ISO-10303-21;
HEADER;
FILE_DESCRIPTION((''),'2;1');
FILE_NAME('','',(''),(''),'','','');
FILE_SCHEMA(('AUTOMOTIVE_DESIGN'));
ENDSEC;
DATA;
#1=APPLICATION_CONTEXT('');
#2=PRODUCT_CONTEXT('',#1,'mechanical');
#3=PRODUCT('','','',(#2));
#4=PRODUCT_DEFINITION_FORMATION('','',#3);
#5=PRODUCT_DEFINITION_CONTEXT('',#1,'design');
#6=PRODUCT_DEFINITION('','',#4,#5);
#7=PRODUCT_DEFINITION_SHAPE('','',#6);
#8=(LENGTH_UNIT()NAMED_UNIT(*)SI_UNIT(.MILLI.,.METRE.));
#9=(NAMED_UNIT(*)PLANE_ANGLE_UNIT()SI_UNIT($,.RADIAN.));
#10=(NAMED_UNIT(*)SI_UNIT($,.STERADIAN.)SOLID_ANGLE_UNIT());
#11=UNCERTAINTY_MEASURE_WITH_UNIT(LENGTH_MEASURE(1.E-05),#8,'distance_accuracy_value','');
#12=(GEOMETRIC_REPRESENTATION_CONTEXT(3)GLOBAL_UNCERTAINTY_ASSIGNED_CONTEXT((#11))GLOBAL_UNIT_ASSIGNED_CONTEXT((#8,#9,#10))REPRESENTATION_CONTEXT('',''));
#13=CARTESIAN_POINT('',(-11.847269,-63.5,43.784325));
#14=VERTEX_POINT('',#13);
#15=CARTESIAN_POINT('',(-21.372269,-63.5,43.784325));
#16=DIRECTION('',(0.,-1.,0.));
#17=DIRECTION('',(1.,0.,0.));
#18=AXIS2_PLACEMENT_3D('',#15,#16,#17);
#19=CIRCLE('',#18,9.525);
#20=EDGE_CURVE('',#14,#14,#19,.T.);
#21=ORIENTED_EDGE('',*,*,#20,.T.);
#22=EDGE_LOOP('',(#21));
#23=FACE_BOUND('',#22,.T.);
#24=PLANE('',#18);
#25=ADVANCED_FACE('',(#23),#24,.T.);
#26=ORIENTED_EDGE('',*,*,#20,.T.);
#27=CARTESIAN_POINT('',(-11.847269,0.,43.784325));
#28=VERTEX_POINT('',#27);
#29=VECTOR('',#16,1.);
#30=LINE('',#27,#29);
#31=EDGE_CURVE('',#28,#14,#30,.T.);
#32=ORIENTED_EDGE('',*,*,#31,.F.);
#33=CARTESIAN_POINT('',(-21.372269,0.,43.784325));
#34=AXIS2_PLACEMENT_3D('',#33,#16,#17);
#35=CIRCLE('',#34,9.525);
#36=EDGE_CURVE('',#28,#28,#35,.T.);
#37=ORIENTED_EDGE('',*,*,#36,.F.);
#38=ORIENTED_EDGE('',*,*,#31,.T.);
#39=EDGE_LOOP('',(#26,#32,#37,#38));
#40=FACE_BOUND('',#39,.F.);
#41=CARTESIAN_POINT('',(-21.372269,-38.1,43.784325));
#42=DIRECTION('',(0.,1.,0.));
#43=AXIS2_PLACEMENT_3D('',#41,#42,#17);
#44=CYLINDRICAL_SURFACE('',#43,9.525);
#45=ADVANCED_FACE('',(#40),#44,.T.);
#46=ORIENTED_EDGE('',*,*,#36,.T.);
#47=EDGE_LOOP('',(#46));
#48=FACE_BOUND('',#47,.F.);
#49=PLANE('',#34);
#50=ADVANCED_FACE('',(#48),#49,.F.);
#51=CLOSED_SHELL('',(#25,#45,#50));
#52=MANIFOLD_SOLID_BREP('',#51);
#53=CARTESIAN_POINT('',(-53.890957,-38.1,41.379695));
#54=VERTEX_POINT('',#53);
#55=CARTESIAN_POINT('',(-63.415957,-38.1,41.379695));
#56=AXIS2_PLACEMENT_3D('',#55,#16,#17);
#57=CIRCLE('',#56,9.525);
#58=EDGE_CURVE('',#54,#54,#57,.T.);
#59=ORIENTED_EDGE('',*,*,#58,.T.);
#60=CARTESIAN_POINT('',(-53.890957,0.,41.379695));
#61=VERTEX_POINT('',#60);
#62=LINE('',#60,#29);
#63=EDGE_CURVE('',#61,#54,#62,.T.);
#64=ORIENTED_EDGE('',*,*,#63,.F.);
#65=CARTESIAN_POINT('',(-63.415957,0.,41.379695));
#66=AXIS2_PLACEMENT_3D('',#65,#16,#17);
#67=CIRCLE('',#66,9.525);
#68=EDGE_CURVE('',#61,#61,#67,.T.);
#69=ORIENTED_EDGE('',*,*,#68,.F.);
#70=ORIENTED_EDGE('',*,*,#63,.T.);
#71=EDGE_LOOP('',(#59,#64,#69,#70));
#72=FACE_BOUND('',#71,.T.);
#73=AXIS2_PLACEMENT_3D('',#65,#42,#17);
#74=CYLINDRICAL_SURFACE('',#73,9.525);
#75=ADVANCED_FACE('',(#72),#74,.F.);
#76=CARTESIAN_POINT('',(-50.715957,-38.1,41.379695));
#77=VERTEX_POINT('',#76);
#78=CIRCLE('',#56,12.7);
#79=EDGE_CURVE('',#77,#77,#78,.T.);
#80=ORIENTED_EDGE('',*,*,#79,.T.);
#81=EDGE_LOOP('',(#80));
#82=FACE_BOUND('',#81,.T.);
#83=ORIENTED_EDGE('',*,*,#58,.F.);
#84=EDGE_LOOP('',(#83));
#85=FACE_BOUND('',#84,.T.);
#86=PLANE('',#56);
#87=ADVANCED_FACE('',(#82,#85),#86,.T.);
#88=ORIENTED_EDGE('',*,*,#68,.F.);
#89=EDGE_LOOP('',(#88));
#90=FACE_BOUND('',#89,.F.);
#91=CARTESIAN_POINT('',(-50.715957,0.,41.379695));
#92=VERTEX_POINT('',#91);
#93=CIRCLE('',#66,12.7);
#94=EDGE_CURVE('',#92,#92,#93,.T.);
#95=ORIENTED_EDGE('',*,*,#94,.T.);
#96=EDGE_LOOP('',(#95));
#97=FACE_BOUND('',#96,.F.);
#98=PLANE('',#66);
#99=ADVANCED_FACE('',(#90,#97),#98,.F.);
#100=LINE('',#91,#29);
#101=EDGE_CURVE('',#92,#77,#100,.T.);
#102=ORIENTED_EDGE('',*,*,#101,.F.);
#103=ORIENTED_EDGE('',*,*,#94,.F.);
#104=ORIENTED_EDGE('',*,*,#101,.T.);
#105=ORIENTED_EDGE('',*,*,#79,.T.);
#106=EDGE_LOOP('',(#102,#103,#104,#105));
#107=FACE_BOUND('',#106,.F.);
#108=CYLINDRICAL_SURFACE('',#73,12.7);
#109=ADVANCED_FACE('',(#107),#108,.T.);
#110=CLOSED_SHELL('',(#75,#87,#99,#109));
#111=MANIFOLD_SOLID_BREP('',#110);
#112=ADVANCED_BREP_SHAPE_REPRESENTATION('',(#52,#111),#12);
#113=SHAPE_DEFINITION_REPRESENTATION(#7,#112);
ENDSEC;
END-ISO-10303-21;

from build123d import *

# Parameters (mm, degrees)
F0_R      = 12.7
F0_R_2    = 9.525
F1_DEPTH  = 38.1
F1_FACE_R = 9.525
F2_DEPTH  = 25.4


with BuildPart() as f1:
    # F0 (on Front) → F1 (new body)
    with BuildSketch(Plane.XZ):
        with Locations((-63.415957, 41.379695)):
            Circle(F0_R)
        with Locations((-63.415957, 41.379695)):
            Circle(F0_R_2, mode=Mode.SUBTRACT)
        with Locations((-21.372269, 43.784325)):
            Circle(F0_R_2)
    extrude(amount=F1_DEPTH)

    # F1_face (on face) → F2 (join)
    with BuildSketch(Plane(origin=(-21.372269, -38.1, 43.784325), x_dir=(1, 0, 0), z_dir=(0, -1, 0))):
        Circle(F1_FACE_R)
    extrude(amount=F2_DEPTH)


solid = f1.part
